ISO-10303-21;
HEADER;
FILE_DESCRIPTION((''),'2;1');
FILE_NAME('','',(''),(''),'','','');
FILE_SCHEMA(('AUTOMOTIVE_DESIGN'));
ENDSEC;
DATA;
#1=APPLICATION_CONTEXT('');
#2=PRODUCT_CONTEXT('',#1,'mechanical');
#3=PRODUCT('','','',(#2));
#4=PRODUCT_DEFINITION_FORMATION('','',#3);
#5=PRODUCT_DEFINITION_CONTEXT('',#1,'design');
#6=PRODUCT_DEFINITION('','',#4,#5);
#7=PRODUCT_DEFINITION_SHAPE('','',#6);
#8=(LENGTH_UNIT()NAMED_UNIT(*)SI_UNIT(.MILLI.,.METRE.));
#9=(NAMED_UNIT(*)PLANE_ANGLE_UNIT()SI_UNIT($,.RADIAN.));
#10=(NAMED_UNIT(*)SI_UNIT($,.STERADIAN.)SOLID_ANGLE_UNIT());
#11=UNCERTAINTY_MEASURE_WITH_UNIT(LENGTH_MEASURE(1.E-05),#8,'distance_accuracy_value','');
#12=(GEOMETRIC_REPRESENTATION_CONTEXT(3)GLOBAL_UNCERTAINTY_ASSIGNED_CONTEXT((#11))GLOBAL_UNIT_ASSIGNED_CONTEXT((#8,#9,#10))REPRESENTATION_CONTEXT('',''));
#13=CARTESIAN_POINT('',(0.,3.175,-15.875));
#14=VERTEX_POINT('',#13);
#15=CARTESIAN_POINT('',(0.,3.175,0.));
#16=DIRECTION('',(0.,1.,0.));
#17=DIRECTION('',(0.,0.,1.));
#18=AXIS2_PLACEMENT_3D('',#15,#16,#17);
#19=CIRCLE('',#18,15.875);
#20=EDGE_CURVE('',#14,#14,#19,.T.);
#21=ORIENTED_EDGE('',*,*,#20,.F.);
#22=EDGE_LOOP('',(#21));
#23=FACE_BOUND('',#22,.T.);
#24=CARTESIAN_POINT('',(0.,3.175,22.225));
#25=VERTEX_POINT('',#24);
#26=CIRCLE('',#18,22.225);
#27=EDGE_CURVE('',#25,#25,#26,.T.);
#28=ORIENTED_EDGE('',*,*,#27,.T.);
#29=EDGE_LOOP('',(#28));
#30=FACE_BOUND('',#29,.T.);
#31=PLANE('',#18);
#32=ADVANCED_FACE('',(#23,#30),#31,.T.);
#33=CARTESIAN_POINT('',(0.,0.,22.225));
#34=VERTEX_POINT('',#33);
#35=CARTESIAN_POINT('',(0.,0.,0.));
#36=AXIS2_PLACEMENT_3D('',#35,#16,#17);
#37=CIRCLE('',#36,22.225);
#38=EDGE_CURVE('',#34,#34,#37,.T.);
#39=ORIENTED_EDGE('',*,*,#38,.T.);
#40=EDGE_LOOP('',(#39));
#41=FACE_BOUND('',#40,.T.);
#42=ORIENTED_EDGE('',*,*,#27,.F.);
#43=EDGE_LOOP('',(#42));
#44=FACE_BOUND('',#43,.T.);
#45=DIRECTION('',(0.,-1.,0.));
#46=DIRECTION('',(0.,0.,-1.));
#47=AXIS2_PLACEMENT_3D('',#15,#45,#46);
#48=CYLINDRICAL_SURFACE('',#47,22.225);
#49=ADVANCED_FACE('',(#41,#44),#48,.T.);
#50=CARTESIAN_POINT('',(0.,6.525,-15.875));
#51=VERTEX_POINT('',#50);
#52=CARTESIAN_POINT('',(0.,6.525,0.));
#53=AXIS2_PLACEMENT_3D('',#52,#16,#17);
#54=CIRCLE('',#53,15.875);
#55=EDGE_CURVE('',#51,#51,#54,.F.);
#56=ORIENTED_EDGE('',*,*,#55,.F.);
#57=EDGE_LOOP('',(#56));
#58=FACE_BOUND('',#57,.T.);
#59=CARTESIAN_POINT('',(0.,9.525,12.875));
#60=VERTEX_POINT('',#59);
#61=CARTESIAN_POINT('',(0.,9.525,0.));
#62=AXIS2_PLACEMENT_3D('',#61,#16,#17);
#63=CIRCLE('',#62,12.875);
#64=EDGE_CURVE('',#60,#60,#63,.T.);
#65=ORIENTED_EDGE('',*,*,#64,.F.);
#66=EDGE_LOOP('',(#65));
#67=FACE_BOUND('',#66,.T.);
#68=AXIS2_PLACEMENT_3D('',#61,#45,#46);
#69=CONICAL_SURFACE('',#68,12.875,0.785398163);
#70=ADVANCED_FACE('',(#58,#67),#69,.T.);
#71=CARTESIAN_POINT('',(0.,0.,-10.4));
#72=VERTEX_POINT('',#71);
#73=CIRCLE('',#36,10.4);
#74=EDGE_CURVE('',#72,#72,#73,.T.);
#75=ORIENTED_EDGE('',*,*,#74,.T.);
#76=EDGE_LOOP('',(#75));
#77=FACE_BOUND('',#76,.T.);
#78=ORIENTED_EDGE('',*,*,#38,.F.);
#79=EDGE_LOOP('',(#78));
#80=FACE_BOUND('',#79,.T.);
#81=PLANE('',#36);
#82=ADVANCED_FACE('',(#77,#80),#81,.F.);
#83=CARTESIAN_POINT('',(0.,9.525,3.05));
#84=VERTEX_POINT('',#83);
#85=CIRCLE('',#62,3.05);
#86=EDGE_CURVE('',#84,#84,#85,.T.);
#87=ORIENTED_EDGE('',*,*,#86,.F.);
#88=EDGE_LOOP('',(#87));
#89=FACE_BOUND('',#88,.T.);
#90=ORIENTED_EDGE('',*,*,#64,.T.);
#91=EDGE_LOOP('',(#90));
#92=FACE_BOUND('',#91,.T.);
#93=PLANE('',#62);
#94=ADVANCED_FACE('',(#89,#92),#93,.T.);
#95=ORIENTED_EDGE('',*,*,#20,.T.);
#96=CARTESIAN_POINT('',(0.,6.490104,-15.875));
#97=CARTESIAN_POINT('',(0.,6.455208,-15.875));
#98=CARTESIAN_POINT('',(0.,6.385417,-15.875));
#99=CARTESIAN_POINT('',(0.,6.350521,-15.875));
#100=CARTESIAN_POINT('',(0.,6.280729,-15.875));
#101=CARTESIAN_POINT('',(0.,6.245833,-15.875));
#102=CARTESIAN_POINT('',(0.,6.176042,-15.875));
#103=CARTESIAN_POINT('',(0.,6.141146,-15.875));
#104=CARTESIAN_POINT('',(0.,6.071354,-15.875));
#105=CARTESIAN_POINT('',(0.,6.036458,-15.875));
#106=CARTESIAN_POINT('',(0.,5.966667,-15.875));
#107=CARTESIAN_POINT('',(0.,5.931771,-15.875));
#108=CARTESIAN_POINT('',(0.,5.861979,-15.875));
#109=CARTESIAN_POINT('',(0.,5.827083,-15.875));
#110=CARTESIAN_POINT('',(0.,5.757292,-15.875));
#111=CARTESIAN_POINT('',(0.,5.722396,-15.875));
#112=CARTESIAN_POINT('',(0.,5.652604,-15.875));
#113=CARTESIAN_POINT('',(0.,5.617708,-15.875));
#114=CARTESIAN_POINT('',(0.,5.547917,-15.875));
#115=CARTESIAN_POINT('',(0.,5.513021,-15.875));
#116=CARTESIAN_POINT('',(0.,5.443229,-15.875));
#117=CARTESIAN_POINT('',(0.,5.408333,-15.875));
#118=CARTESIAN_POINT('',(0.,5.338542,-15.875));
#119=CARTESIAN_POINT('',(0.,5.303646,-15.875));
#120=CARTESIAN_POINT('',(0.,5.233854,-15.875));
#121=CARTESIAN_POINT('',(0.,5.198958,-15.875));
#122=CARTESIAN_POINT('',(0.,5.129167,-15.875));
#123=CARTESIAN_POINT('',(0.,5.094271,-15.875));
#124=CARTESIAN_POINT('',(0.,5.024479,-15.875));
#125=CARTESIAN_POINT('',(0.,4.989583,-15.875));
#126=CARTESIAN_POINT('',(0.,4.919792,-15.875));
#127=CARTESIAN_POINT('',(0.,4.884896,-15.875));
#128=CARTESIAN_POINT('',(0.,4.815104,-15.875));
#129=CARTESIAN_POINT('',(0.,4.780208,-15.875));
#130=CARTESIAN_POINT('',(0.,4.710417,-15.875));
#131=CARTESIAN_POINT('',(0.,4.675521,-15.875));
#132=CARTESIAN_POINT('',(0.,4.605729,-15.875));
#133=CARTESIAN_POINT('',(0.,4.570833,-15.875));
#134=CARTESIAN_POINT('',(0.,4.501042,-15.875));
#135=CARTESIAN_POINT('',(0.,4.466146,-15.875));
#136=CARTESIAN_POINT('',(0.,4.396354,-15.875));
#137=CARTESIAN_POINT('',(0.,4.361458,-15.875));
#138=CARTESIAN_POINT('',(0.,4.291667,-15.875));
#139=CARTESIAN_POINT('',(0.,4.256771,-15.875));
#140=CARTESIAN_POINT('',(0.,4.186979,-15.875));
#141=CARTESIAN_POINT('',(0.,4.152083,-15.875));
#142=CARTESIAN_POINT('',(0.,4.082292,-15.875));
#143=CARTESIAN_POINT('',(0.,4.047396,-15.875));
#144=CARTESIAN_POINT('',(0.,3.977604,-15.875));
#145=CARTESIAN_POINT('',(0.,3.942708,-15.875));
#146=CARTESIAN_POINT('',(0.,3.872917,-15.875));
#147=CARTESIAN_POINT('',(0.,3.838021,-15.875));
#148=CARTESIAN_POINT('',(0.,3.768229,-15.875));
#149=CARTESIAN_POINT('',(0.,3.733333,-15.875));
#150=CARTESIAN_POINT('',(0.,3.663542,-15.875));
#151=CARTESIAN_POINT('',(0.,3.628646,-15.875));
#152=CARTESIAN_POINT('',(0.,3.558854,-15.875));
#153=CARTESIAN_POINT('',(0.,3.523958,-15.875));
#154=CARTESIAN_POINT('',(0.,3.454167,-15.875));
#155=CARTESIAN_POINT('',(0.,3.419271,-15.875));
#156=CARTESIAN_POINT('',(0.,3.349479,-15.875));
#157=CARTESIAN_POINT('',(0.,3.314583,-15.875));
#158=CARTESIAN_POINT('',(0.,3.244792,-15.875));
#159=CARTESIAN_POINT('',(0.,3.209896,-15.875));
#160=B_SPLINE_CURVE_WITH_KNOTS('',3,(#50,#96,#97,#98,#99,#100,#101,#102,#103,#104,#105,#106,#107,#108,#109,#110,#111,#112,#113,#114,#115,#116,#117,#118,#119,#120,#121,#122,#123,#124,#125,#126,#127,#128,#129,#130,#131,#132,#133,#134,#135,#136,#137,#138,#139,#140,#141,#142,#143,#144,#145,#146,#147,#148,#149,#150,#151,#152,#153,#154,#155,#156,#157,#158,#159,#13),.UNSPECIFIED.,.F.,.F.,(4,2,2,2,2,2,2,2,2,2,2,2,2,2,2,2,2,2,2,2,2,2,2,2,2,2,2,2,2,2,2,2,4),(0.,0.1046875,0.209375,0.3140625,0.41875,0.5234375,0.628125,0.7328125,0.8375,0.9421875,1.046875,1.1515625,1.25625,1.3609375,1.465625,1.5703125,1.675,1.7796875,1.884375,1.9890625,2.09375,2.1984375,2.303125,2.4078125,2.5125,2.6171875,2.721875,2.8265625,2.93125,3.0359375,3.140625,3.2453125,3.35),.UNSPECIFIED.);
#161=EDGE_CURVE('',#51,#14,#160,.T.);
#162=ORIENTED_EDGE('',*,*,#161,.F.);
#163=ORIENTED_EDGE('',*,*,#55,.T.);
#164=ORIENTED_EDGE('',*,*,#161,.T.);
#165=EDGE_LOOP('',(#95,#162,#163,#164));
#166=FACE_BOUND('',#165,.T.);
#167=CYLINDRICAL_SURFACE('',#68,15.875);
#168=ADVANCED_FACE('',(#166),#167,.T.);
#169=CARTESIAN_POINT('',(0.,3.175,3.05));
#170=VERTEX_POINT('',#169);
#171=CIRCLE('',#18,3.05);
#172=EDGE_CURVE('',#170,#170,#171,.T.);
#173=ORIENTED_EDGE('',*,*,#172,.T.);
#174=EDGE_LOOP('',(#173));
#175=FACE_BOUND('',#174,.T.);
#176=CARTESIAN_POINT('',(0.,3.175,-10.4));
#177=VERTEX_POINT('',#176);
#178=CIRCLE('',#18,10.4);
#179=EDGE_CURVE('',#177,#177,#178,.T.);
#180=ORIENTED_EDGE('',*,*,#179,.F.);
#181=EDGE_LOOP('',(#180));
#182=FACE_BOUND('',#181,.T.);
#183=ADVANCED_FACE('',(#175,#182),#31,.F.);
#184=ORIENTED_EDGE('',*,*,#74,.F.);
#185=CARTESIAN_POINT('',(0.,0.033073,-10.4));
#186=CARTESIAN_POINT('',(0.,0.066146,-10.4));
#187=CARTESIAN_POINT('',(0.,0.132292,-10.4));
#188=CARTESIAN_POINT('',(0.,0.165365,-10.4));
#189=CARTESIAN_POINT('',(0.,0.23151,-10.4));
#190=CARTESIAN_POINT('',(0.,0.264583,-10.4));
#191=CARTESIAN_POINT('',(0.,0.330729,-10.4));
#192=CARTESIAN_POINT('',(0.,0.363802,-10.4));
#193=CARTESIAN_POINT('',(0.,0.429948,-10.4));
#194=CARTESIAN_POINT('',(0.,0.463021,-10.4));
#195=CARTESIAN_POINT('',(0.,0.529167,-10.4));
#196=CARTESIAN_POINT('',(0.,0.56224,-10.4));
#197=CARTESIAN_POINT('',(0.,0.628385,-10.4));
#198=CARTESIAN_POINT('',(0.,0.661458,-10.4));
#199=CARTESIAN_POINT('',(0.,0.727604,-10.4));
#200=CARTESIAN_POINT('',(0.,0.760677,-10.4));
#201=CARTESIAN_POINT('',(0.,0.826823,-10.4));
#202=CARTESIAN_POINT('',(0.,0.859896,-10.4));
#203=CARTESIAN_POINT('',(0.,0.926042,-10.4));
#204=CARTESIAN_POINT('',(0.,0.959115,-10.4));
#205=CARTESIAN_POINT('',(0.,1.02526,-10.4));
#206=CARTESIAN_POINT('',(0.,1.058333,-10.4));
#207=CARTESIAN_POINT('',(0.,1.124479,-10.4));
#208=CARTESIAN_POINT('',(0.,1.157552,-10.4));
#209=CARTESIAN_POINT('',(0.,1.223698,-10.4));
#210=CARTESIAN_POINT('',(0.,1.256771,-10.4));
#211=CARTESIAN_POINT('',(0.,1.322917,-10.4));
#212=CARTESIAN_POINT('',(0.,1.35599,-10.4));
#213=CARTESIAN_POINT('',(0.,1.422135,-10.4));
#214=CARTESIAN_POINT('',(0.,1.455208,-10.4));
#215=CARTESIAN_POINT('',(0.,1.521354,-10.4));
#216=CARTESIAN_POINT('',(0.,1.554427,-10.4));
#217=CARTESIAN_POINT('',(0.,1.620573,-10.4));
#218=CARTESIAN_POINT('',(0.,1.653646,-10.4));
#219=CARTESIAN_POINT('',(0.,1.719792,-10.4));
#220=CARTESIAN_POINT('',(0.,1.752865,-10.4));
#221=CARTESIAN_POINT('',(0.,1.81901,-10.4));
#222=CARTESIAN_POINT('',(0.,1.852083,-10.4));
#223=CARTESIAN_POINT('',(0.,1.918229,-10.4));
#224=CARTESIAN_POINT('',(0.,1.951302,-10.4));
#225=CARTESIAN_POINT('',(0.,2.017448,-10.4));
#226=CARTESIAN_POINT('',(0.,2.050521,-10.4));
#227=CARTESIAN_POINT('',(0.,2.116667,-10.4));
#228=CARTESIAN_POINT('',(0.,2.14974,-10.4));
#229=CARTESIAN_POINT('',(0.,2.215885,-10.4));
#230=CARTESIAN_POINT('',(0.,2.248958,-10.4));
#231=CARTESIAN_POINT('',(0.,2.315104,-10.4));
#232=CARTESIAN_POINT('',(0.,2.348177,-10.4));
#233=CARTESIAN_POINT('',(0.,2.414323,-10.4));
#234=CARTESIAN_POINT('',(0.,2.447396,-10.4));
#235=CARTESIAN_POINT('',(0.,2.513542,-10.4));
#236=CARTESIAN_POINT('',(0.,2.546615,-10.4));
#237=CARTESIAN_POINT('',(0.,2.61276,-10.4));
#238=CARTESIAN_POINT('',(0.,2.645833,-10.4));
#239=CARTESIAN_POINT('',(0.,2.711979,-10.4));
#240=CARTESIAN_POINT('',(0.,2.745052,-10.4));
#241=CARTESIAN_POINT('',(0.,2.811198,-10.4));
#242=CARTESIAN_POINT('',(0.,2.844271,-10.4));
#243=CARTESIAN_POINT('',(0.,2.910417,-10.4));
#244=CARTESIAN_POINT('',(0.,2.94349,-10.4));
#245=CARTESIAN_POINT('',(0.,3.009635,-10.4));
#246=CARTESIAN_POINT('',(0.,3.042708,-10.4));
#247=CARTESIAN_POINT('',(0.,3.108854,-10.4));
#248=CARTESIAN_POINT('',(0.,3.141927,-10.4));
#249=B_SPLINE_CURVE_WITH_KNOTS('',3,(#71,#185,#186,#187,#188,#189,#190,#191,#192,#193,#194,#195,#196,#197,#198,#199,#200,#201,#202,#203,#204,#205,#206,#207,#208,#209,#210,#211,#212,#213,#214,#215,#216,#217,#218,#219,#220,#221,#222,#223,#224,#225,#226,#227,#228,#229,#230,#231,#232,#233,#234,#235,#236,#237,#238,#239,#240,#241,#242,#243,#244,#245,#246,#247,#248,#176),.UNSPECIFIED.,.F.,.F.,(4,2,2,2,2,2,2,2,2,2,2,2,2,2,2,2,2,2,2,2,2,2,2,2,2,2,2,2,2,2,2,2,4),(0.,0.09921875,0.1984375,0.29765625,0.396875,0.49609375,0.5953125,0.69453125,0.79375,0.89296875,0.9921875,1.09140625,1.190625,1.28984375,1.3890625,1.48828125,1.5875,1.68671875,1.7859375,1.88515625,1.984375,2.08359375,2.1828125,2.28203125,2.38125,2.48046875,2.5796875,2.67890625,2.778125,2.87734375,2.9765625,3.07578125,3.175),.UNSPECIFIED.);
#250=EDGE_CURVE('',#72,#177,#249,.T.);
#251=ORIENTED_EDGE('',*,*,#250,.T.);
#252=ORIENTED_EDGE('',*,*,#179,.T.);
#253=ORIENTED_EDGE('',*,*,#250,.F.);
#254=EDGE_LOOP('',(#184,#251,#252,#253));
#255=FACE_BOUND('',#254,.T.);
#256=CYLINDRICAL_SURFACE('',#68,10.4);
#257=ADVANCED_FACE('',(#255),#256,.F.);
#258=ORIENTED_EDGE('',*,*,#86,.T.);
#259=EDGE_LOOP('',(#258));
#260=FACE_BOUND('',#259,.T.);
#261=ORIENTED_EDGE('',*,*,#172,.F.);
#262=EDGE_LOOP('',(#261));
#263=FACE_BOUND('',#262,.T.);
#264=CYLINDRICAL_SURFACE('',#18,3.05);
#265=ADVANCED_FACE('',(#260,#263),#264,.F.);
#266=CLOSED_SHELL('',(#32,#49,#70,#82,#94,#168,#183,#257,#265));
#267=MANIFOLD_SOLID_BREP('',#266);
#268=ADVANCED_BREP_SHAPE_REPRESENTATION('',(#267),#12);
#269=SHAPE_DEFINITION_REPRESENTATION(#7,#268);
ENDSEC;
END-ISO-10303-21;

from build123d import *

# Parameters (mm, degrees)
SKETCH1_R           = 22.225
SKETCH1_R_2         = 15.875
BOSS_EXTRUDE1_DEPTH = 3.175
SKETCH1_4_R         = 15.875
SKETCH1_4_R_2       = 10.4
BOSS_EXTRUDE2_DEPTH = 9.525
BOSS_EXTRUDE3_START = -6.35
SKETCH2_R           = 10.4
SKETCH2_R_2         = 3.05
BOSS_EXTRUDE3_DEPTH = 6.35
CHAMFER2_SIZE       = 3


with BuildPart() as part:
    # Sketch1 → Boss-Extrude1 (new body)
    with BuildSketch(Plane(origin=(0, 0, 0), x_dir=(1, 0, 0), z_dir=(0, 1, 0))):
        Circle(SKETCH1_R)
        Circle(SKETCH1_R_2, mode=Mode.SUBTRACT)
    extrude(amount=BOSS_EXTRUDE1_DEPTH)

    # Sketch1<4> → Boss-Extrude2 (add)
    with BuildSketch(Plane(origin=(0, 0, 0), x_dir=(1, 0, 0), z_dir=(0, 1, 0))):
        Circle(SKETCH1_4_R)
        Circle(SKETCH1_4_R_2, mode=Mode.SUBTRACT)
    extrude(amount=BOSS_EXTRUDE2_DEPTH)

    # Sketch2 → Boss-Extrude3 (add)
    with BuildSketch(Plane(origin=(0, 9.525, 0), x_dir=(1, 0, 0), z_dir=(0, 1, 0)).offset(BOSS_EXTRUDE3_START)):
        Circle(SKETCH2_R)
        Circle(SKETCH2_R_2, mode=Mode.SUBTRACT)
    extrude(amount=BOSS_EXTRUDE3_DEPTH)

    # Chamfer2
    chamfer2_edges = [part.edges().sort_by_distance(p)[0] for p in [
        (-15.875, 9.525, 0),
    ]]
    chamfer(chamfer2_edges, length=CHAMFER2_SIZE)


solid = part.part
